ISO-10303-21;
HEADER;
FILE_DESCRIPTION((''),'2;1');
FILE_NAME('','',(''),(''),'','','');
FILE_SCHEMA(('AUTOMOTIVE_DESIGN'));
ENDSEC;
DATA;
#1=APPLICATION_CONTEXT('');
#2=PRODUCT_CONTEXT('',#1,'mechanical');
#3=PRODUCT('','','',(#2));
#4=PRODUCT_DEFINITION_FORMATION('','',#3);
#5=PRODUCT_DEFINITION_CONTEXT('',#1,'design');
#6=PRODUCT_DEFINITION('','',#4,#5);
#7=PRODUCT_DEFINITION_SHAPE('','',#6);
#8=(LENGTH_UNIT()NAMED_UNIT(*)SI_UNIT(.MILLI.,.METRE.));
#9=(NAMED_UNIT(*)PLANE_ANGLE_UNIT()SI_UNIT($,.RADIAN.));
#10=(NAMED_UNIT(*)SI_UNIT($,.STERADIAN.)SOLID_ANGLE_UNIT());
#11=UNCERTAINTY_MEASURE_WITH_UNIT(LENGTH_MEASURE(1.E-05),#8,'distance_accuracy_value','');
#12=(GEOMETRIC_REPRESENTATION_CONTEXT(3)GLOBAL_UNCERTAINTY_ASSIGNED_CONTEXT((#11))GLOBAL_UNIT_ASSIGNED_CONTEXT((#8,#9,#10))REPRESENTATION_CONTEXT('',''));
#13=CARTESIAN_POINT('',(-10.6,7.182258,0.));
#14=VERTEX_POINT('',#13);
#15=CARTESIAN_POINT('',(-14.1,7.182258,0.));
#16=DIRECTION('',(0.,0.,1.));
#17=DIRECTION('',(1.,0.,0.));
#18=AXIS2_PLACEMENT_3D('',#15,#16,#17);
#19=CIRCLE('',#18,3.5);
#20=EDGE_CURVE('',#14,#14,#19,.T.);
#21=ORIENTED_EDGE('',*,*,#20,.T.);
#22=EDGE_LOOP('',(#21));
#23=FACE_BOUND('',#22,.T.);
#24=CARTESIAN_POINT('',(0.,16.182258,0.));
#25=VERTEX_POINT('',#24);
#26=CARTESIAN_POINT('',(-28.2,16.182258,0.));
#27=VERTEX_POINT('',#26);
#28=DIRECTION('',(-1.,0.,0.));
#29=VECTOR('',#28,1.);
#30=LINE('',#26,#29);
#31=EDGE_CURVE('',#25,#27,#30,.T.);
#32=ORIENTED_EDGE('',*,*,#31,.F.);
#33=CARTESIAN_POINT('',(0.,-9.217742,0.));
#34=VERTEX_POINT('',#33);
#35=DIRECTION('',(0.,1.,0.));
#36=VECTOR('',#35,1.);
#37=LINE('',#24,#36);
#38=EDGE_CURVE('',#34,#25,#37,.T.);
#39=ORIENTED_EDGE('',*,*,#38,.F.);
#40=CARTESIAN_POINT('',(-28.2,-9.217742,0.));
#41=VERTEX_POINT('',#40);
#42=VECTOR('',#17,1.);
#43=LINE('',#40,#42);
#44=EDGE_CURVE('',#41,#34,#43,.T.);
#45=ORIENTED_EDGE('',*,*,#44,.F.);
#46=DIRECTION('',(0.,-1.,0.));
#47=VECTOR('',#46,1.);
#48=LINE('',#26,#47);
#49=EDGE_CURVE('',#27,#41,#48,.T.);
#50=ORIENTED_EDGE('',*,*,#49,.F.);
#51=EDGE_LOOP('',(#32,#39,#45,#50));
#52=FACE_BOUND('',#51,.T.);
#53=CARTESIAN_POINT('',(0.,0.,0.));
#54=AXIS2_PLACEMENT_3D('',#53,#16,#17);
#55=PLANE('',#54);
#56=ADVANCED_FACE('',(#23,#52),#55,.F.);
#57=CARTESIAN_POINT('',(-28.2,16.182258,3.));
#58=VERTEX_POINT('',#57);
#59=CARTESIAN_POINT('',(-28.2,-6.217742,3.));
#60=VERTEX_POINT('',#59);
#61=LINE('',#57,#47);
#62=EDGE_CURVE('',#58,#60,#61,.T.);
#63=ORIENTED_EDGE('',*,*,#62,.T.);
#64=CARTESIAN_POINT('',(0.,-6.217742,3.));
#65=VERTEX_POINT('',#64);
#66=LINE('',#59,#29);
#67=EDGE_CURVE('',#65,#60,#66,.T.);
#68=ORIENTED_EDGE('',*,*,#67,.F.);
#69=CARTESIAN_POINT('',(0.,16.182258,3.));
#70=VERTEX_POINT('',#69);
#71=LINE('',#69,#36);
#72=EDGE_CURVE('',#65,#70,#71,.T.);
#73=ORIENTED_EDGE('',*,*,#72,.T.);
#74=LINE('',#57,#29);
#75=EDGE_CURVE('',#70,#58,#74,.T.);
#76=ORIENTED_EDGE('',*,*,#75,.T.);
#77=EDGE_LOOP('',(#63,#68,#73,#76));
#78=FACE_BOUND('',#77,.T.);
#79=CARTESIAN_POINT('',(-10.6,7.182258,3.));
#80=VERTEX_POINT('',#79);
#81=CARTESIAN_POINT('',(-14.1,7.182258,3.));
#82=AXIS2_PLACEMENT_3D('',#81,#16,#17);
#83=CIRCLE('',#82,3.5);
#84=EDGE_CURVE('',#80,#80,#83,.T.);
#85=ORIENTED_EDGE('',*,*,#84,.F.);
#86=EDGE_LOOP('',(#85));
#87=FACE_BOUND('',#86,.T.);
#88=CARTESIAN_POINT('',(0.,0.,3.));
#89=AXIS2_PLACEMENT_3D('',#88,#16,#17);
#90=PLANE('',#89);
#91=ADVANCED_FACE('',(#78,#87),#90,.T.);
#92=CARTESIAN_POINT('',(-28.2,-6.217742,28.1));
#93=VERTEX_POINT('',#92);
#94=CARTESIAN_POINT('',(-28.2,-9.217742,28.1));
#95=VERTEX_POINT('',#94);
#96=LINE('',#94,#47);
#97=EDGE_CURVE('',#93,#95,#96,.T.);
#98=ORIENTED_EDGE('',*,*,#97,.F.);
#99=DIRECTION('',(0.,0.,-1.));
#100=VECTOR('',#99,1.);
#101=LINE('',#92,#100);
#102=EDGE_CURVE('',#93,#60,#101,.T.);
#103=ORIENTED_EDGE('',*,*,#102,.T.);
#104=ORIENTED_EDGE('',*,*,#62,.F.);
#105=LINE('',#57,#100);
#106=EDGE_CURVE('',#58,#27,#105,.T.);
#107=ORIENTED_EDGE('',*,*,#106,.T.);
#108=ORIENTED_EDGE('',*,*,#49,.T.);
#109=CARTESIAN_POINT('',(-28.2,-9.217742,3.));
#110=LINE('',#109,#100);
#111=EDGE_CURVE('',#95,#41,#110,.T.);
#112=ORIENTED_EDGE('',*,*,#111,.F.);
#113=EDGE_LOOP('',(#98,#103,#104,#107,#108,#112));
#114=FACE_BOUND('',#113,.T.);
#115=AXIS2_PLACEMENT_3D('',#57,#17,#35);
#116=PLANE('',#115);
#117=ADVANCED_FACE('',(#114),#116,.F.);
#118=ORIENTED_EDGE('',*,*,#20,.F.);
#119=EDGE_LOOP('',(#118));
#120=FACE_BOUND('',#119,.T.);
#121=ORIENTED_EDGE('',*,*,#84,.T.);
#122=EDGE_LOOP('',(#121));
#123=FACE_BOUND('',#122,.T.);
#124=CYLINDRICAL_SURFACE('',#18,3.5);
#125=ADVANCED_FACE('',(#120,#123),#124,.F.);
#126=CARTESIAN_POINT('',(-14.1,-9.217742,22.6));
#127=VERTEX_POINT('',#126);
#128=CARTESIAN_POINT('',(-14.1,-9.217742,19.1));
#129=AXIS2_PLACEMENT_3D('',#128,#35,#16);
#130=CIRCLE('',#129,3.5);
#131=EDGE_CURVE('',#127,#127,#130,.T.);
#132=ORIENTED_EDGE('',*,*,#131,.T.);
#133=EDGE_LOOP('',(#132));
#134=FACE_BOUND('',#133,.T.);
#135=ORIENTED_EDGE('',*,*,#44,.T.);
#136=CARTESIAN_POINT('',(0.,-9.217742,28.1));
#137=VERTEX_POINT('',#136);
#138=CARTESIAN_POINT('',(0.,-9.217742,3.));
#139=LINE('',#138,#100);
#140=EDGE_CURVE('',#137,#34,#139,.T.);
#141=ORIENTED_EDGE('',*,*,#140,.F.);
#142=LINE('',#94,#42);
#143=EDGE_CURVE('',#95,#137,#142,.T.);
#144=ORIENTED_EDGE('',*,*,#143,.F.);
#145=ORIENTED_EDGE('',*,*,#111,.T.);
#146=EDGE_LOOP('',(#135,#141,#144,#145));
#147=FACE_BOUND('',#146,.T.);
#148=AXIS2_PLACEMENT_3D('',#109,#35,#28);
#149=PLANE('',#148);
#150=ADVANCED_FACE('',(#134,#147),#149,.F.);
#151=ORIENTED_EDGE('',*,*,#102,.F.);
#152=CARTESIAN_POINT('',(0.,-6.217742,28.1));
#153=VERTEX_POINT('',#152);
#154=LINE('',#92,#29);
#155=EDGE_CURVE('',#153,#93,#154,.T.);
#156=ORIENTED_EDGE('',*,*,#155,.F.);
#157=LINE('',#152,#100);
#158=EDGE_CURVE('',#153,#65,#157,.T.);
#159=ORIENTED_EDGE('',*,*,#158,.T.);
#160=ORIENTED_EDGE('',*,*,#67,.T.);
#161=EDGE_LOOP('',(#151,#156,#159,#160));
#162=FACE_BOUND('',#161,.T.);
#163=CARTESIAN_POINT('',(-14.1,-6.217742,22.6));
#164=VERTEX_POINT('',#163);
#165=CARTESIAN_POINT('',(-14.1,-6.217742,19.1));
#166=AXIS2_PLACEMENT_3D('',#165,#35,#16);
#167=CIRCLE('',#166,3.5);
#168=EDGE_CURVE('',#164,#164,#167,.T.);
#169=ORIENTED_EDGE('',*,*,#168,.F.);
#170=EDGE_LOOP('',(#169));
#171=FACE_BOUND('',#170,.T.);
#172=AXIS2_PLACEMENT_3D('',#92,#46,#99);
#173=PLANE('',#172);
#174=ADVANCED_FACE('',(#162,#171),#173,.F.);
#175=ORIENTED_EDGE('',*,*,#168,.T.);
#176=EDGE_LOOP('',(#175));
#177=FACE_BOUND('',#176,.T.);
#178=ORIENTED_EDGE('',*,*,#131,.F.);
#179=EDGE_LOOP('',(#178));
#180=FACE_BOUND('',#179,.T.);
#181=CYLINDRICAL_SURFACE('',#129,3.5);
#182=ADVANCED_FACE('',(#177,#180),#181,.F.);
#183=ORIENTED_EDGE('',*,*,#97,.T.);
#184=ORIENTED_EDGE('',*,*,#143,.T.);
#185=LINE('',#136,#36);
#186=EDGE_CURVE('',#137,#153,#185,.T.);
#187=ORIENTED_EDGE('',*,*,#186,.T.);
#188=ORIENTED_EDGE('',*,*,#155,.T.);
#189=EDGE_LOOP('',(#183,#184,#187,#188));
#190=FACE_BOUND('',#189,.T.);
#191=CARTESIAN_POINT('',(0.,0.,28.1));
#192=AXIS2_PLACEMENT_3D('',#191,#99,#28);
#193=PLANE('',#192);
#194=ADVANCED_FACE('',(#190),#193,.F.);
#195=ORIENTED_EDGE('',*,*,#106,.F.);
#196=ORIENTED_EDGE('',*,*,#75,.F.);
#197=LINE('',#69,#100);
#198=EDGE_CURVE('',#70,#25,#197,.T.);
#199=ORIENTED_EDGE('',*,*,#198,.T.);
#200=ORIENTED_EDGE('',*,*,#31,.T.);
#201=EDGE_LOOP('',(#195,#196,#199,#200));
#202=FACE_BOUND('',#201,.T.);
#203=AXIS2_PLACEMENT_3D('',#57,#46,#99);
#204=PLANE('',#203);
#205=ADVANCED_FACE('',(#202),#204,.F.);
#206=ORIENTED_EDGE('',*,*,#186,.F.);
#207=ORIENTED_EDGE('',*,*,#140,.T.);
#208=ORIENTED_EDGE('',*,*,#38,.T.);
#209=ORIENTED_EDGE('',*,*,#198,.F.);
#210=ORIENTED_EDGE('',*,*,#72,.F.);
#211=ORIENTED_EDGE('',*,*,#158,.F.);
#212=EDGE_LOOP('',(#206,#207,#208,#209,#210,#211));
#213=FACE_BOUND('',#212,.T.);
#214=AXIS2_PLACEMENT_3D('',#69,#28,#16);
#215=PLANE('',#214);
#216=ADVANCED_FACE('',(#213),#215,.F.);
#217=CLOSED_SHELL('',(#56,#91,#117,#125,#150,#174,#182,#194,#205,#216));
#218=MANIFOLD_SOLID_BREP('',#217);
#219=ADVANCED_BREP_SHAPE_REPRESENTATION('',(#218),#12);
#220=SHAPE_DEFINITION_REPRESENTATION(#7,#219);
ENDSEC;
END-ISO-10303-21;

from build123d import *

# Parameters (mm, degrees)
ESBO_O1_W                = 28.2
ESBO_O1_H                = 25.4
RESSALTO_EXTRUS_O1_DEPTH = 3
ESBO_O2_W                = 28.2
ESBO_O2_H                = 3
RESSALTO_EXTRUS_O2_DEPTH = 25.1
ESBO_O3_R                = 3.5
CORTE_EXTRUS_O1_DEPTH    = 3
ESBO_O4_R                = 3.5
CORTE_EXTRUS_O2_DEPTH    = 3


with BuildPart() as part:
    # Esboço1 → Ressalto-extrusão1 (new body)
    with BuildSketch(Plane.XY):
        with Locations((-14.1, 3.482258065)):
            Rectangle(ESBO_O1_W, ESBO_O1_H)
    extrude(amount=RESSALTO_EXTRUS_O1_DEPTH)

    # Esboço2 → Ressalto-extrusão2 (add)
    with BuildSketch(Plane.XY.offset(3)):
        with Locations((-14.1, -7.717741935)):
            Rectangle(ESBO_O2_W, ESBO_O2_H)
    extrude(amount=RESSALTO_EXTRUS_O2_DEPTH)

    # Esboço3 → Corte-extrusão1 (cut)
    with BuildSketch(Plane(origin=(0, -6.217741935, 0), x_dir=(1, 0, 0), z_dir=(0, 1, 0))):
        with Locations(Location((-14.1, -19.1, 0), (0, 0, 270))):
            Circle(ESBO_O3_R)
    extrude(amount=-CORTE_EXTRUS_O1_DEPTH, mode=Mode.SUBTRACT)

    # Esboço4 → Corte-extrusão2 (cut)
    with BuildSketch(Plane.XY.offset(3)):
        with Locations((-14.1, 7.182258065)):
            Circle(ESBO_O4_R)
    extrude(amount=-CORTE_EXTRUS_O2_DEPTH, mode=Mode.SUBTRACT)


solid = part.part
